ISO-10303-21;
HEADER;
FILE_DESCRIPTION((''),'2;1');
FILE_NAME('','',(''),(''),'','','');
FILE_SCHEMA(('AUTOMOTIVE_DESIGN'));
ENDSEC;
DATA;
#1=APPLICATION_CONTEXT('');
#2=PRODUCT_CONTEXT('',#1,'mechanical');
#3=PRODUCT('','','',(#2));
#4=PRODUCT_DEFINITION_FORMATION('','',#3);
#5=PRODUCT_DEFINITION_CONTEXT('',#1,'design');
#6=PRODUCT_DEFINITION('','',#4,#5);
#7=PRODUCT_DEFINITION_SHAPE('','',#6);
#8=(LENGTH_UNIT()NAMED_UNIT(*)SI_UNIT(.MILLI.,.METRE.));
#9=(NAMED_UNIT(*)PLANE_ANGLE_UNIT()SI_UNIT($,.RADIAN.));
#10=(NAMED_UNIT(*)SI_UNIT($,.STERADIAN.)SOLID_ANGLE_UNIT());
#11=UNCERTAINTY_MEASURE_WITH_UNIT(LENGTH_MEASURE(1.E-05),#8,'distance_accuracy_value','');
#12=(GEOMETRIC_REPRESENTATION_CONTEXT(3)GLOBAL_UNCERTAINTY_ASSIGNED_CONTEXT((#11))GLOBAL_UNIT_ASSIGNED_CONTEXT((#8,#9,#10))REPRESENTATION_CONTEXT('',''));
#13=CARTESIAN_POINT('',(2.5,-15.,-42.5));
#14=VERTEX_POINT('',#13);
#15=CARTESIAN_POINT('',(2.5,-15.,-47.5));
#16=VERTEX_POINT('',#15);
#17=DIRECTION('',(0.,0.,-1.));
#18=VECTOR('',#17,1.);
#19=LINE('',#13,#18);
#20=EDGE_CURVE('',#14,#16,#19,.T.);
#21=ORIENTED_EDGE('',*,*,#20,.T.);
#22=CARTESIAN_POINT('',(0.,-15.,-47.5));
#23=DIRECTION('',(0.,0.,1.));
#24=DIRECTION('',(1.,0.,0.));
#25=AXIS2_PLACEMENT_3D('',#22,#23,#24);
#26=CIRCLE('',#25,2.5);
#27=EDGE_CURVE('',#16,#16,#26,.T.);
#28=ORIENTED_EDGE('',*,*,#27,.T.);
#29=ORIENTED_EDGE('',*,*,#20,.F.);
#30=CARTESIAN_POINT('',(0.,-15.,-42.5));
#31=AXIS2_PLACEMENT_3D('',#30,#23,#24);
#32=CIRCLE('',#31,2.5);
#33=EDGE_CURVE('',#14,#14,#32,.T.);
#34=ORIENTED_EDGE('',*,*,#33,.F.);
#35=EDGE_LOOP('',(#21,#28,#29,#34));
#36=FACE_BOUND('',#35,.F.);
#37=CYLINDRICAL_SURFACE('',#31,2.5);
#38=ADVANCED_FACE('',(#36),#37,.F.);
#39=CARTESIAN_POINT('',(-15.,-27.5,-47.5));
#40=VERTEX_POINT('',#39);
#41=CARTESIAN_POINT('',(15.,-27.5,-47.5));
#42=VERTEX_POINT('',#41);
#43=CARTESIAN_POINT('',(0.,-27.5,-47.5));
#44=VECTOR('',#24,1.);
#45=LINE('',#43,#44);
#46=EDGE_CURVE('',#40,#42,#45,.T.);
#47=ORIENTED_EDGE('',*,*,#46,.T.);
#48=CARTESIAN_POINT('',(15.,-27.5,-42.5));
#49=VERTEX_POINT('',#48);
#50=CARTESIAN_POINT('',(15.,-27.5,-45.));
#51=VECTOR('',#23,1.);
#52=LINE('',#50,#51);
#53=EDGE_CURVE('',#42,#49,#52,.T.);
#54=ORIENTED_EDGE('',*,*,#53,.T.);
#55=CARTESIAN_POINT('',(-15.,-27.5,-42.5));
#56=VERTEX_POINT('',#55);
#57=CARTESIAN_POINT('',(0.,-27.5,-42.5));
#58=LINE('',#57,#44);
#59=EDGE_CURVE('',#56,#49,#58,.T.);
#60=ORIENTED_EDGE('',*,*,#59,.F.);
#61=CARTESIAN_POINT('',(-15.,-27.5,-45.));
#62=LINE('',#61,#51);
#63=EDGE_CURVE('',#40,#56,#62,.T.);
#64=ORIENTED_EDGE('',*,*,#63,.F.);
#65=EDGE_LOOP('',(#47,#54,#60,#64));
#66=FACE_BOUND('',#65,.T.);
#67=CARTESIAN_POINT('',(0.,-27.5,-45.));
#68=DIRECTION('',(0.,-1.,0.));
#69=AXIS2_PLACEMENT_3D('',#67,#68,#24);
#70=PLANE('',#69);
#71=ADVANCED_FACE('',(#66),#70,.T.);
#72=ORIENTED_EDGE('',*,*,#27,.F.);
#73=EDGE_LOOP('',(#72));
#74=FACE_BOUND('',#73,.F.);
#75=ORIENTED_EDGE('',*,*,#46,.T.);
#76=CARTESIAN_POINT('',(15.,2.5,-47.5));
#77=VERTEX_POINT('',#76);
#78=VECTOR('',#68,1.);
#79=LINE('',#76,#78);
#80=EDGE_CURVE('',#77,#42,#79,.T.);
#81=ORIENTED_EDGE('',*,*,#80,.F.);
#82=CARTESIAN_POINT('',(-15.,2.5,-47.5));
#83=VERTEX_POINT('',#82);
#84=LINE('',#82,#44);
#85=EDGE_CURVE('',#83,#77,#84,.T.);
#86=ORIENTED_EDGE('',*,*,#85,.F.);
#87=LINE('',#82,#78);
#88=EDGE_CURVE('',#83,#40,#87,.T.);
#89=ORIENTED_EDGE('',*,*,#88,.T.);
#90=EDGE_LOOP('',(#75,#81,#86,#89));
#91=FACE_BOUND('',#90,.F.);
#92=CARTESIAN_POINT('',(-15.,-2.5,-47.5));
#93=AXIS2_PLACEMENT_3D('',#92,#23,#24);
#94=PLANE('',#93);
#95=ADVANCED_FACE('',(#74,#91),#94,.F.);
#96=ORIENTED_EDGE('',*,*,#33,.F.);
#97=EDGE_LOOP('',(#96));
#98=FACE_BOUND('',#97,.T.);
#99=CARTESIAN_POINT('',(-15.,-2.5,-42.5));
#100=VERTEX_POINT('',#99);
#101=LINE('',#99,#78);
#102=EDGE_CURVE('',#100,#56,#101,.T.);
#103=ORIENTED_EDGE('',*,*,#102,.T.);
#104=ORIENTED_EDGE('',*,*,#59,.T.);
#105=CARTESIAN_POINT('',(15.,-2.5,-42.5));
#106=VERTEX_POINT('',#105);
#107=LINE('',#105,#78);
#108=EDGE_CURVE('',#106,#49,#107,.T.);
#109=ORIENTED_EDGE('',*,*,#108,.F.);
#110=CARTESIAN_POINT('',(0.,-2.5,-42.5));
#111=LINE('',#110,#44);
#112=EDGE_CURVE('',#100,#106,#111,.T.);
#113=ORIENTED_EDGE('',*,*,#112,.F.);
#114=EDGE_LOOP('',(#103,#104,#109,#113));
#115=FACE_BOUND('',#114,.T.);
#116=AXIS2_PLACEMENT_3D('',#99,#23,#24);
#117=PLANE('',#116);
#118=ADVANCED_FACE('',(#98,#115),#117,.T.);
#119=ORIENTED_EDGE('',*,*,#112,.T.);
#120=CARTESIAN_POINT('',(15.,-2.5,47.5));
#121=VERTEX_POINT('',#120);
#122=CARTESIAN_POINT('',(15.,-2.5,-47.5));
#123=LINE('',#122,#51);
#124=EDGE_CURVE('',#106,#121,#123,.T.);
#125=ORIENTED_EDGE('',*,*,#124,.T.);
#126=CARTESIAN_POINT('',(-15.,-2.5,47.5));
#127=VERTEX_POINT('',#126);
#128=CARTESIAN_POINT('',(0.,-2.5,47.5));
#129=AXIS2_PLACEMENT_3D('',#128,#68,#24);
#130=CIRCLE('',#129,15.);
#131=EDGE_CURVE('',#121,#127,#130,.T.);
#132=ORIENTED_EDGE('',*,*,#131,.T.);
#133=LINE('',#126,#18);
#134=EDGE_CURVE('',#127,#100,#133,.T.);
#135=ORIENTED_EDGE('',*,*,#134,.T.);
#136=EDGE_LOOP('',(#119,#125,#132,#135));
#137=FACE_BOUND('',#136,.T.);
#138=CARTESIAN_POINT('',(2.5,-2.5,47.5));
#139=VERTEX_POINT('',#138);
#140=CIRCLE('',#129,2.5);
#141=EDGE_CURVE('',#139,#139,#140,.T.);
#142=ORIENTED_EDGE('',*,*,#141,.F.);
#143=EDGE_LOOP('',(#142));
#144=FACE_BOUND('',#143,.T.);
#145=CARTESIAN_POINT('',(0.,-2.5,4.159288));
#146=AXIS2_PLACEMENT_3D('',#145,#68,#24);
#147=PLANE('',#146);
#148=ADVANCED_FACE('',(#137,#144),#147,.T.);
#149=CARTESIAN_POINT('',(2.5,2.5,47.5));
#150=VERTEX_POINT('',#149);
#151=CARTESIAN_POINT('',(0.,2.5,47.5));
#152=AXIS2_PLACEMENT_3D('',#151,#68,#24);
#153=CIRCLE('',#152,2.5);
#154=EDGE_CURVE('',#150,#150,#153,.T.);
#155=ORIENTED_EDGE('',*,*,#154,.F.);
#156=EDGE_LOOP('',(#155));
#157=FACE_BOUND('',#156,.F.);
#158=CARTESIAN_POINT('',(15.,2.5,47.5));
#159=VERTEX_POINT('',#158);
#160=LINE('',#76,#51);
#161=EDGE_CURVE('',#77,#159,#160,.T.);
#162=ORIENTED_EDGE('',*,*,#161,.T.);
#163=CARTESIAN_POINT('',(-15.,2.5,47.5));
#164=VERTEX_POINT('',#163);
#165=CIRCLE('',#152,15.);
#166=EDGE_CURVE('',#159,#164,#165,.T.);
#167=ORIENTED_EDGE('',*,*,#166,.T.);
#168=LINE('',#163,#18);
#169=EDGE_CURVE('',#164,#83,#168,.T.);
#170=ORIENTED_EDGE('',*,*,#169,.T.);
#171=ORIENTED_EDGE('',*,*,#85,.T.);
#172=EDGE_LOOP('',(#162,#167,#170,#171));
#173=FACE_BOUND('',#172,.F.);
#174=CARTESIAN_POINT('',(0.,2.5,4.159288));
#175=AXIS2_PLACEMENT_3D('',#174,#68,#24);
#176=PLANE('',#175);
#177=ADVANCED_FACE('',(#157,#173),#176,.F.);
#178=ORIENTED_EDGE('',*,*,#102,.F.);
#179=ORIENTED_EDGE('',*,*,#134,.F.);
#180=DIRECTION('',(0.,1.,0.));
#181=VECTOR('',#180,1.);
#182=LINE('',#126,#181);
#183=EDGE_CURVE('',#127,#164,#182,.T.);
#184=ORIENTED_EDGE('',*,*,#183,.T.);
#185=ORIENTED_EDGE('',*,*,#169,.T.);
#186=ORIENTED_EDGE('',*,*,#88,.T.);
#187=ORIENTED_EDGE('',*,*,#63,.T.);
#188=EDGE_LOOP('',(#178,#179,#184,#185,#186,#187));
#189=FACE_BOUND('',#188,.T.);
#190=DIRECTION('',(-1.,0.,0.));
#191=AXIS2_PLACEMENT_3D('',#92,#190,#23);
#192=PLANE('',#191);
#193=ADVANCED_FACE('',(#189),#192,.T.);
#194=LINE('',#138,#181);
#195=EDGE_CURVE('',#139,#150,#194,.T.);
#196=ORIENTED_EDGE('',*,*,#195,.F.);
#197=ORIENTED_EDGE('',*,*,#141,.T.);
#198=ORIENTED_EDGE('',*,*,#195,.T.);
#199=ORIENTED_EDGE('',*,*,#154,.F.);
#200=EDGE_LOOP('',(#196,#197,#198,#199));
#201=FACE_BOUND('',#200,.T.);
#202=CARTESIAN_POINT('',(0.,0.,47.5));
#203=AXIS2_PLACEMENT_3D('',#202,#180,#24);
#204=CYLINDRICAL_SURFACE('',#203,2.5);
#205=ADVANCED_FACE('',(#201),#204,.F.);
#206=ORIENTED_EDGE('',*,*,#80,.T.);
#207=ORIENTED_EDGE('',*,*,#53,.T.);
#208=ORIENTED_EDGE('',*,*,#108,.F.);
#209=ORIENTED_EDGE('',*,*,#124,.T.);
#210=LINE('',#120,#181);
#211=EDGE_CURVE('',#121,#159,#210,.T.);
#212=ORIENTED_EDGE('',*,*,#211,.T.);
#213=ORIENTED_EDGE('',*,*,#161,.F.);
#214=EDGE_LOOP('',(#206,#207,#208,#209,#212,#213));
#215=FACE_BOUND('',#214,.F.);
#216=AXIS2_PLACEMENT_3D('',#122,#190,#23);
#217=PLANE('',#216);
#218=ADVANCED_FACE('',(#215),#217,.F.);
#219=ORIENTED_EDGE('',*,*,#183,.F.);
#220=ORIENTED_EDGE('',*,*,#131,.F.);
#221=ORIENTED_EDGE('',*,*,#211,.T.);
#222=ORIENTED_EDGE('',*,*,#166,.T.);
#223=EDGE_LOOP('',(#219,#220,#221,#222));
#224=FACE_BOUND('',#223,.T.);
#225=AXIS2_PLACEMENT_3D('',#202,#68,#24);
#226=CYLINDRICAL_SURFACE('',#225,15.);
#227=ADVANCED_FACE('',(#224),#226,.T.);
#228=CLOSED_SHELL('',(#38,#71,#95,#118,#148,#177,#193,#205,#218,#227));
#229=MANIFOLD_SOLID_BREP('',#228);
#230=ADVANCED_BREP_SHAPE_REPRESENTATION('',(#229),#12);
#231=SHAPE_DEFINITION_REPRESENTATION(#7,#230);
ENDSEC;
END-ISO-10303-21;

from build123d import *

# Parameters (mm, degrees)
F0_R     = 2.5
F1_DEPTH = 2.5
F2_W     = 30
F2_H     = 5
F3_DEPTH = 25
F4_R     = 2.5
F5_DEPTH = 5


with BuildPart() as f1:
    # F0 (on Front) → F1 (new body, symmetric)
    with BuildSketch(Plane.XZ):
        with BuildLine():
            Line((-15, 47.5), (-15, -47.5))
            Line((-15, -47.5), (15, -47.5))
            Line((15, -47.5), (15, 47.5))
            ThreePointArc((15, 47.5), (0, 62.5), (-15, 47.5))
        make_face()
        with Locations((0, 47.5)):
            Circle(F0_R, mode=Mode.SUBTRACT)
    extrude(amount=F1_DEPTH, both=True)

    # F2 (on face) → F3 (join)
    with BuildSketch(Plane.XZ.offset(2.5)):
        with Locations((0, -45)):
            Rectangle(F2_W, F2_H)
    extrude(amount=F3_DEPTH)

    # F4 (on face) → F5 (cut, through all)
    with BuildSketch(Plane.XY.offset(-42.5)):
        with Locations((0, -15)):
            Circle(F4_R)
    extrude(amount=-F5_DEPTH, mode=Mode.SUBTRACT)


solid = f1.part
